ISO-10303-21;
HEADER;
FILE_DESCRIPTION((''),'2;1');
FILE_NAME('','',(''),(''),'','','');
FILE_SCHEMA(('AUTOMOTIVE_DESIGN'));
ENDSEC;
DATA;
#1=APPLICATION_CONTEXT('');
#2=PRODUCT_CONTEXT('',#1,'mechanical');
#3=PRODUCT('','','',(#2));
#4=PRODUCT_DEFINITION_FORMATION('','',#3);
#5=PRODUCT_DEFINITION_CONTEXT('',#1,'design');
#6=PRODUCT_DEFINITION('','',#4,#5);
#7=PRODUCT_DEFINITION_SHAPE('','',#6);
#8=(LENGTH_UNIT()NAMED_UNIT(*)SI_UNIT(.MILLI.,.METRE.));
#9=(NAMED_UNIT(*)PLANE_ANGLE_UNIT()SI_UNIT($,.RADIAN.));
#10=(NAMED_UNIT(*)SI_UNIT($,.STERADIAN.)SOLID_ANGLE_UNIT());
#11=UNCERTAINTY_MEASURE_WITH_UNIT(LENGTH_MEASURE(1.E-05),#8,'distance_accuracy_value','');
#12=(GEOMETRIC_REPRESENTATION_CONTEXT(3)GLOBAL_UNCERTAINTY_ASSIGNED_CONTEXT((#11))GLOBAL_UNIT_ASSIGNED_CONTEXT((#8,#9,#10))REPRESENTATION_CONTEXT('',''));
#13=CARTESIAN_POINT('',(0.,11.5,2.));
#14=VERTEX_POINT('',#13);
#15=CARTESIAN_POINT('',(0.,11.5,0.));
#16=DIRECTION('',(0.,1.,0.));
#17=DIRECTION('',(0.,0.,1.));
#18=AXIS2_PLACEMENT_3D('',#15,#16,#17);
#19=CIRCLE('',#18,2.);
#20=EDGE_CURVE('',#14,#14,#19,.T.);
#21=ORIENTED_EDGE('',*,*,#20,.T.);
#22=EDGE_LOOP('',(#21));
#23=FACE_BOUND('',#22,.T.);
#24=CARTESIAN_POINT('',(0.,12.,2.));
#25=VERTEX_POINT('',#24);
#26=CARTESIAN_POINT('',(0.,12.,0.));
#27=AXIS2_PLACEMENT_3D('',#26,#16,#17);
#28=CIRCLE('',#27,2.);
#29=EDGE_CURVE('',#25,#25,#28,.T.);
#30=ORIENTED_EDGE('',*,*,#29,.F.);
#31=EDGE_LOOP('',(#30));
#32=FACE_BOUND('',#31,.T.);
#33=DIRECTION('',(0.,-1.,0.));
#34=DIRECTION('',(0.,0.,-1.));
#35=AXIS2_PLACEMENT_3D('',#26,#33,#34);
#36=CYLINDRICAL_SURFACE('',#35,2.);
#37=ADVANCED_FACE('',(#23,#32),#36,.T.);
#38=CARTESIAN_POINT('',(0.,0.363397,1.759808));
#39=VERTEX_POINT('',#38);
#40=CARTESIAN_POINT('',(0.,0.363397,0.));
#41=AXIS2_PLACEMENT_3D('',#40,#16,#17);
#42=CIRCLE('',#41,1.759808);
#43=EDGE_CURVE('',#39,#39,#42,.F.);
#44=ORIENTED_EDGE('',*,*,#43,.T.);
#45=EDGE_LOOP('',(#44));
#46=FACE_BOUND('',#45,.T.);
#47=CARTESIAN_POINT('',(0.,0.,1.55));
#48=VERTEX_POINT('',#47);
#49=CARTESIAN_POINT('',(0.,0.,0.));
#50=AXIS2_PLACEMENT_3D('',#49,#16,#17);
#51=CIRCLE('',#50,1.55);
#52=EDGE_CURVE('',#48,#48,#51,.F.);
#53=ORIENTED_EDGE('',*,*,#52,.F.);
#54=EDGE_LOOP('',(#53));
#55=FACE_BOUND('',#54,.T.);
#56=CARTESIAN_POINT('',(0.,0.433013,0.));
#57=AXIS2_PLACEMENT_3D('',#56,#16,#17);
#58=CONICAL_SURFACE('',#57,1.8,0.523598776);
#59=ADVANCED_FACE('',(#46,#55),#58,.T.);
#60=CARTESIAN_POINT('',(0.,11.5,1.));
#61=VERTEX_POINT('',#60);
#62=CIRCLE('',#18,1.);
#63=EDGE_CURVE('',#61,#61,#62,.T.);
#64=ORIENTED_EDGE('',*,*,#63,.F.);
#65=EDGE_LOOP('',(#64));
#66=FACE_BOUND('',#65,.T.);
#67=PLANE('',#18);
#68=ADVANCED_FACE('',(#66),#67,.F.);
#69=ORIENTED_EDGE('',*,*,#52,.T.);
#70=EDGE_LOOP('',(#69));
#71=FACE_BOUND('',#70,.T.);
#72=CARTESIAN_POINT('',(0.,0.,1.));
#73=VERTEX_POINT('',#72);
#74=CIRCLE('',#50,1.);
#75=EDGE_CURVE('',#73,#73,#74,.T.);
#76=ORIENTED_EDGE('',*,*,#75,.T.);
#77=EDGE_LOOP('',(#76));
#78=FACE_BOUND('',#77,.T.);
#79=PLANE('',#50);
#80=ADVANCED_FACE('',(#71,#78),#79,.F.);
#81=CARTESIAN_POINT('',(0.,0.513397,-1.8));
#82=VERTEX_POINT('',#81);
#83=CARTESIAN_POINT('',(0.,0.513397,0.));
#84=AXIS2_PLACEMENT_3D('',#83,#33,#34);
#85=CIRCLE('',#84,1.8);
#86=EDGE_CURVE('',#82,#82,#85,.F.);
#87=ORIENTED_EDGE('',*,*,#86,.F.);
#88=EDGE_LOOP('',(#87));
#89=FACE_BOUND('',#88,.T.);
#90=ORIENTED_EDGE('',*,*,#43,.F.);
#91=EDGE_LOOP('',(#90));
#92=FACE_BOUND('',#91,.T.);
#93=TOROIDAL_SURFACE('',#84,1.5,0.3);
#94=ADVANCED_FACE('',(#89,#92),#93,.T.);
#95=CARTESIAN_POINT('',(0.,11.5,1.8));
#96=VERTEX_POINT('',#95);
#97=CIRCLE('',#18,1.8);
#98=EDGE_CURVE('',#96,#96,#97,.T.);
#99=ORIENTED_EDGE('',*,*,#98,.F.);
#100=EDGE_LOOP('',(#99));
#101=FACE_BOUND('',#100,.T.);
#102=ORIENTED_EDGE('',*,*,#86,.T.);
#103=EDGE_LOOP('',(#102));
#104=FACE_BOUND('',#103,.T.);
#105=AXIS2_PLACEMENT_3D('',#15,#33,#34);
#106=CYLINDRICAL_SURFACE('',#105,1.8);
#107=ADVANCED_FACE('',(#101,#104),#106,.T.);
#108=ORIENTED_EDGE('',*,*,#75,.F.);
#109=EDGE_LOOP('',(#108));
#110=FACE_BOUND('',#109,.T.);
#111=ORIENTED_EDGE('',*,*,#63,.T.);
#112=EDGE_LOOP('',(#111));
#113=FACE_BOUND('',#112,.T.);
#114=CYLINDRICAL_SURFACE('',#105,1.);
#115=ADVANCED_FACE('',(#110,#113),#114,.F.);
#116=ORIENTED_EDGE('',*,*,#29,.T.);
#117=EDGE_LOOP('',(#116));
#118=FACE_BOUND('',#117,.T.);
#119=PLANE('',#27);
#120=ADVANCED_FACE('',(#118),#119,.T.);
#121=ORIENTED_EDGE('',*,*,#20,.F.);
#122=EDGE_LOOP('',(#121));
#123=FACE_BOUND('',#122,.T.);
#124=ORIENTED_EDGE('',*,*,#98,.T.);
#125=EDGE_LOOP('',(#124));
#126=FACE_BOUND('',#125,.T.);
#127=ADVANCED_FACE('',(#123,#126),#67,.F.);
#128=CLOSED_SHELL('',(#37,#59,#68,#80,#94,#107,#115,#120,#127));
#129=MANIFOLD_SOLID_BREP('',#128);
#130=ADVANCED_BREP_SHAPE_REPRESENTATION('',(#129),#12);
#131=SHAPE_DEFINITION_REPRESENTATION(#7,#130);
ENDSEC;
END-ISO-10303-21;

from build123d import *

# Parameters (mm, degrees)
SKETCH1_R           = 1.8
SKETCH1_R_2         = 1
BOSS_EXTRUDE1_DEPTH = 11.5
SKETCH2_R           = 2
BOSS_EXTRUDE2_DEPTH = 0.5
CHAMFER1_SIZE       = 0.25
CHAMFER1_SIZE2      = 0.433012702
FILLET1_R           = 0.3


with BuildPart() as part:
    # Sketch1 → Boss-Extrude1 (new body)
    with BuildSketch(Plane(origin=(0, 0, 0), x_dir=(1, 0, 0), z_dir=(0, 1, 0))):
        with Locations(Location((0, 0, 0), (0, 0, 270))):
            Circle(SKETCH1_R)
        with Locations(Location((0, 0, 0), (0, 0, 270))):
            Circle(SKETCH1_R_2, mode=Mode.SUBTRACT)
    extrude(amount=BOSS_EXTRUDE1_DEPTH)

    # Sketch2 → Boss-Extrude2 (add)
    with BuildSketch(Plane(origin=(0, 11.5, 0), x_dir=(1, 0, 0), z_dir=(0, 1, 0))):
        with Locations(Location((0, 0, 0), (0, 0, 270))):
            Circle(SKETCH2_R)
    extrude(amount=BOSS_EXTRUDE2_DEPTH)

    # Chamfer1
    chamfer1_edges = [part.edges().sort_by_distance(p)[0] for p in [
        (0, 0, -1.8),
    ]]
    chamfer1_side = [part.faces().sort_by_distance(p)[0] for p in [
        (0, 0, -1.749088312),
    ]]
    chamfer(chamfer1_edges, length=CHAMFER1_SIZE, length2=CHAMFER1_SIZE2, reference=chamfer1_side[0])

    # Fillet1
    fillet1_edges = [part.edges().sort_by_distance(p)[0] for p in [
        (0, 0.433012702, -1.8),
    ]]
    fillet(fillet1_edges, radius=FILLET1_R)


solid = part.part
